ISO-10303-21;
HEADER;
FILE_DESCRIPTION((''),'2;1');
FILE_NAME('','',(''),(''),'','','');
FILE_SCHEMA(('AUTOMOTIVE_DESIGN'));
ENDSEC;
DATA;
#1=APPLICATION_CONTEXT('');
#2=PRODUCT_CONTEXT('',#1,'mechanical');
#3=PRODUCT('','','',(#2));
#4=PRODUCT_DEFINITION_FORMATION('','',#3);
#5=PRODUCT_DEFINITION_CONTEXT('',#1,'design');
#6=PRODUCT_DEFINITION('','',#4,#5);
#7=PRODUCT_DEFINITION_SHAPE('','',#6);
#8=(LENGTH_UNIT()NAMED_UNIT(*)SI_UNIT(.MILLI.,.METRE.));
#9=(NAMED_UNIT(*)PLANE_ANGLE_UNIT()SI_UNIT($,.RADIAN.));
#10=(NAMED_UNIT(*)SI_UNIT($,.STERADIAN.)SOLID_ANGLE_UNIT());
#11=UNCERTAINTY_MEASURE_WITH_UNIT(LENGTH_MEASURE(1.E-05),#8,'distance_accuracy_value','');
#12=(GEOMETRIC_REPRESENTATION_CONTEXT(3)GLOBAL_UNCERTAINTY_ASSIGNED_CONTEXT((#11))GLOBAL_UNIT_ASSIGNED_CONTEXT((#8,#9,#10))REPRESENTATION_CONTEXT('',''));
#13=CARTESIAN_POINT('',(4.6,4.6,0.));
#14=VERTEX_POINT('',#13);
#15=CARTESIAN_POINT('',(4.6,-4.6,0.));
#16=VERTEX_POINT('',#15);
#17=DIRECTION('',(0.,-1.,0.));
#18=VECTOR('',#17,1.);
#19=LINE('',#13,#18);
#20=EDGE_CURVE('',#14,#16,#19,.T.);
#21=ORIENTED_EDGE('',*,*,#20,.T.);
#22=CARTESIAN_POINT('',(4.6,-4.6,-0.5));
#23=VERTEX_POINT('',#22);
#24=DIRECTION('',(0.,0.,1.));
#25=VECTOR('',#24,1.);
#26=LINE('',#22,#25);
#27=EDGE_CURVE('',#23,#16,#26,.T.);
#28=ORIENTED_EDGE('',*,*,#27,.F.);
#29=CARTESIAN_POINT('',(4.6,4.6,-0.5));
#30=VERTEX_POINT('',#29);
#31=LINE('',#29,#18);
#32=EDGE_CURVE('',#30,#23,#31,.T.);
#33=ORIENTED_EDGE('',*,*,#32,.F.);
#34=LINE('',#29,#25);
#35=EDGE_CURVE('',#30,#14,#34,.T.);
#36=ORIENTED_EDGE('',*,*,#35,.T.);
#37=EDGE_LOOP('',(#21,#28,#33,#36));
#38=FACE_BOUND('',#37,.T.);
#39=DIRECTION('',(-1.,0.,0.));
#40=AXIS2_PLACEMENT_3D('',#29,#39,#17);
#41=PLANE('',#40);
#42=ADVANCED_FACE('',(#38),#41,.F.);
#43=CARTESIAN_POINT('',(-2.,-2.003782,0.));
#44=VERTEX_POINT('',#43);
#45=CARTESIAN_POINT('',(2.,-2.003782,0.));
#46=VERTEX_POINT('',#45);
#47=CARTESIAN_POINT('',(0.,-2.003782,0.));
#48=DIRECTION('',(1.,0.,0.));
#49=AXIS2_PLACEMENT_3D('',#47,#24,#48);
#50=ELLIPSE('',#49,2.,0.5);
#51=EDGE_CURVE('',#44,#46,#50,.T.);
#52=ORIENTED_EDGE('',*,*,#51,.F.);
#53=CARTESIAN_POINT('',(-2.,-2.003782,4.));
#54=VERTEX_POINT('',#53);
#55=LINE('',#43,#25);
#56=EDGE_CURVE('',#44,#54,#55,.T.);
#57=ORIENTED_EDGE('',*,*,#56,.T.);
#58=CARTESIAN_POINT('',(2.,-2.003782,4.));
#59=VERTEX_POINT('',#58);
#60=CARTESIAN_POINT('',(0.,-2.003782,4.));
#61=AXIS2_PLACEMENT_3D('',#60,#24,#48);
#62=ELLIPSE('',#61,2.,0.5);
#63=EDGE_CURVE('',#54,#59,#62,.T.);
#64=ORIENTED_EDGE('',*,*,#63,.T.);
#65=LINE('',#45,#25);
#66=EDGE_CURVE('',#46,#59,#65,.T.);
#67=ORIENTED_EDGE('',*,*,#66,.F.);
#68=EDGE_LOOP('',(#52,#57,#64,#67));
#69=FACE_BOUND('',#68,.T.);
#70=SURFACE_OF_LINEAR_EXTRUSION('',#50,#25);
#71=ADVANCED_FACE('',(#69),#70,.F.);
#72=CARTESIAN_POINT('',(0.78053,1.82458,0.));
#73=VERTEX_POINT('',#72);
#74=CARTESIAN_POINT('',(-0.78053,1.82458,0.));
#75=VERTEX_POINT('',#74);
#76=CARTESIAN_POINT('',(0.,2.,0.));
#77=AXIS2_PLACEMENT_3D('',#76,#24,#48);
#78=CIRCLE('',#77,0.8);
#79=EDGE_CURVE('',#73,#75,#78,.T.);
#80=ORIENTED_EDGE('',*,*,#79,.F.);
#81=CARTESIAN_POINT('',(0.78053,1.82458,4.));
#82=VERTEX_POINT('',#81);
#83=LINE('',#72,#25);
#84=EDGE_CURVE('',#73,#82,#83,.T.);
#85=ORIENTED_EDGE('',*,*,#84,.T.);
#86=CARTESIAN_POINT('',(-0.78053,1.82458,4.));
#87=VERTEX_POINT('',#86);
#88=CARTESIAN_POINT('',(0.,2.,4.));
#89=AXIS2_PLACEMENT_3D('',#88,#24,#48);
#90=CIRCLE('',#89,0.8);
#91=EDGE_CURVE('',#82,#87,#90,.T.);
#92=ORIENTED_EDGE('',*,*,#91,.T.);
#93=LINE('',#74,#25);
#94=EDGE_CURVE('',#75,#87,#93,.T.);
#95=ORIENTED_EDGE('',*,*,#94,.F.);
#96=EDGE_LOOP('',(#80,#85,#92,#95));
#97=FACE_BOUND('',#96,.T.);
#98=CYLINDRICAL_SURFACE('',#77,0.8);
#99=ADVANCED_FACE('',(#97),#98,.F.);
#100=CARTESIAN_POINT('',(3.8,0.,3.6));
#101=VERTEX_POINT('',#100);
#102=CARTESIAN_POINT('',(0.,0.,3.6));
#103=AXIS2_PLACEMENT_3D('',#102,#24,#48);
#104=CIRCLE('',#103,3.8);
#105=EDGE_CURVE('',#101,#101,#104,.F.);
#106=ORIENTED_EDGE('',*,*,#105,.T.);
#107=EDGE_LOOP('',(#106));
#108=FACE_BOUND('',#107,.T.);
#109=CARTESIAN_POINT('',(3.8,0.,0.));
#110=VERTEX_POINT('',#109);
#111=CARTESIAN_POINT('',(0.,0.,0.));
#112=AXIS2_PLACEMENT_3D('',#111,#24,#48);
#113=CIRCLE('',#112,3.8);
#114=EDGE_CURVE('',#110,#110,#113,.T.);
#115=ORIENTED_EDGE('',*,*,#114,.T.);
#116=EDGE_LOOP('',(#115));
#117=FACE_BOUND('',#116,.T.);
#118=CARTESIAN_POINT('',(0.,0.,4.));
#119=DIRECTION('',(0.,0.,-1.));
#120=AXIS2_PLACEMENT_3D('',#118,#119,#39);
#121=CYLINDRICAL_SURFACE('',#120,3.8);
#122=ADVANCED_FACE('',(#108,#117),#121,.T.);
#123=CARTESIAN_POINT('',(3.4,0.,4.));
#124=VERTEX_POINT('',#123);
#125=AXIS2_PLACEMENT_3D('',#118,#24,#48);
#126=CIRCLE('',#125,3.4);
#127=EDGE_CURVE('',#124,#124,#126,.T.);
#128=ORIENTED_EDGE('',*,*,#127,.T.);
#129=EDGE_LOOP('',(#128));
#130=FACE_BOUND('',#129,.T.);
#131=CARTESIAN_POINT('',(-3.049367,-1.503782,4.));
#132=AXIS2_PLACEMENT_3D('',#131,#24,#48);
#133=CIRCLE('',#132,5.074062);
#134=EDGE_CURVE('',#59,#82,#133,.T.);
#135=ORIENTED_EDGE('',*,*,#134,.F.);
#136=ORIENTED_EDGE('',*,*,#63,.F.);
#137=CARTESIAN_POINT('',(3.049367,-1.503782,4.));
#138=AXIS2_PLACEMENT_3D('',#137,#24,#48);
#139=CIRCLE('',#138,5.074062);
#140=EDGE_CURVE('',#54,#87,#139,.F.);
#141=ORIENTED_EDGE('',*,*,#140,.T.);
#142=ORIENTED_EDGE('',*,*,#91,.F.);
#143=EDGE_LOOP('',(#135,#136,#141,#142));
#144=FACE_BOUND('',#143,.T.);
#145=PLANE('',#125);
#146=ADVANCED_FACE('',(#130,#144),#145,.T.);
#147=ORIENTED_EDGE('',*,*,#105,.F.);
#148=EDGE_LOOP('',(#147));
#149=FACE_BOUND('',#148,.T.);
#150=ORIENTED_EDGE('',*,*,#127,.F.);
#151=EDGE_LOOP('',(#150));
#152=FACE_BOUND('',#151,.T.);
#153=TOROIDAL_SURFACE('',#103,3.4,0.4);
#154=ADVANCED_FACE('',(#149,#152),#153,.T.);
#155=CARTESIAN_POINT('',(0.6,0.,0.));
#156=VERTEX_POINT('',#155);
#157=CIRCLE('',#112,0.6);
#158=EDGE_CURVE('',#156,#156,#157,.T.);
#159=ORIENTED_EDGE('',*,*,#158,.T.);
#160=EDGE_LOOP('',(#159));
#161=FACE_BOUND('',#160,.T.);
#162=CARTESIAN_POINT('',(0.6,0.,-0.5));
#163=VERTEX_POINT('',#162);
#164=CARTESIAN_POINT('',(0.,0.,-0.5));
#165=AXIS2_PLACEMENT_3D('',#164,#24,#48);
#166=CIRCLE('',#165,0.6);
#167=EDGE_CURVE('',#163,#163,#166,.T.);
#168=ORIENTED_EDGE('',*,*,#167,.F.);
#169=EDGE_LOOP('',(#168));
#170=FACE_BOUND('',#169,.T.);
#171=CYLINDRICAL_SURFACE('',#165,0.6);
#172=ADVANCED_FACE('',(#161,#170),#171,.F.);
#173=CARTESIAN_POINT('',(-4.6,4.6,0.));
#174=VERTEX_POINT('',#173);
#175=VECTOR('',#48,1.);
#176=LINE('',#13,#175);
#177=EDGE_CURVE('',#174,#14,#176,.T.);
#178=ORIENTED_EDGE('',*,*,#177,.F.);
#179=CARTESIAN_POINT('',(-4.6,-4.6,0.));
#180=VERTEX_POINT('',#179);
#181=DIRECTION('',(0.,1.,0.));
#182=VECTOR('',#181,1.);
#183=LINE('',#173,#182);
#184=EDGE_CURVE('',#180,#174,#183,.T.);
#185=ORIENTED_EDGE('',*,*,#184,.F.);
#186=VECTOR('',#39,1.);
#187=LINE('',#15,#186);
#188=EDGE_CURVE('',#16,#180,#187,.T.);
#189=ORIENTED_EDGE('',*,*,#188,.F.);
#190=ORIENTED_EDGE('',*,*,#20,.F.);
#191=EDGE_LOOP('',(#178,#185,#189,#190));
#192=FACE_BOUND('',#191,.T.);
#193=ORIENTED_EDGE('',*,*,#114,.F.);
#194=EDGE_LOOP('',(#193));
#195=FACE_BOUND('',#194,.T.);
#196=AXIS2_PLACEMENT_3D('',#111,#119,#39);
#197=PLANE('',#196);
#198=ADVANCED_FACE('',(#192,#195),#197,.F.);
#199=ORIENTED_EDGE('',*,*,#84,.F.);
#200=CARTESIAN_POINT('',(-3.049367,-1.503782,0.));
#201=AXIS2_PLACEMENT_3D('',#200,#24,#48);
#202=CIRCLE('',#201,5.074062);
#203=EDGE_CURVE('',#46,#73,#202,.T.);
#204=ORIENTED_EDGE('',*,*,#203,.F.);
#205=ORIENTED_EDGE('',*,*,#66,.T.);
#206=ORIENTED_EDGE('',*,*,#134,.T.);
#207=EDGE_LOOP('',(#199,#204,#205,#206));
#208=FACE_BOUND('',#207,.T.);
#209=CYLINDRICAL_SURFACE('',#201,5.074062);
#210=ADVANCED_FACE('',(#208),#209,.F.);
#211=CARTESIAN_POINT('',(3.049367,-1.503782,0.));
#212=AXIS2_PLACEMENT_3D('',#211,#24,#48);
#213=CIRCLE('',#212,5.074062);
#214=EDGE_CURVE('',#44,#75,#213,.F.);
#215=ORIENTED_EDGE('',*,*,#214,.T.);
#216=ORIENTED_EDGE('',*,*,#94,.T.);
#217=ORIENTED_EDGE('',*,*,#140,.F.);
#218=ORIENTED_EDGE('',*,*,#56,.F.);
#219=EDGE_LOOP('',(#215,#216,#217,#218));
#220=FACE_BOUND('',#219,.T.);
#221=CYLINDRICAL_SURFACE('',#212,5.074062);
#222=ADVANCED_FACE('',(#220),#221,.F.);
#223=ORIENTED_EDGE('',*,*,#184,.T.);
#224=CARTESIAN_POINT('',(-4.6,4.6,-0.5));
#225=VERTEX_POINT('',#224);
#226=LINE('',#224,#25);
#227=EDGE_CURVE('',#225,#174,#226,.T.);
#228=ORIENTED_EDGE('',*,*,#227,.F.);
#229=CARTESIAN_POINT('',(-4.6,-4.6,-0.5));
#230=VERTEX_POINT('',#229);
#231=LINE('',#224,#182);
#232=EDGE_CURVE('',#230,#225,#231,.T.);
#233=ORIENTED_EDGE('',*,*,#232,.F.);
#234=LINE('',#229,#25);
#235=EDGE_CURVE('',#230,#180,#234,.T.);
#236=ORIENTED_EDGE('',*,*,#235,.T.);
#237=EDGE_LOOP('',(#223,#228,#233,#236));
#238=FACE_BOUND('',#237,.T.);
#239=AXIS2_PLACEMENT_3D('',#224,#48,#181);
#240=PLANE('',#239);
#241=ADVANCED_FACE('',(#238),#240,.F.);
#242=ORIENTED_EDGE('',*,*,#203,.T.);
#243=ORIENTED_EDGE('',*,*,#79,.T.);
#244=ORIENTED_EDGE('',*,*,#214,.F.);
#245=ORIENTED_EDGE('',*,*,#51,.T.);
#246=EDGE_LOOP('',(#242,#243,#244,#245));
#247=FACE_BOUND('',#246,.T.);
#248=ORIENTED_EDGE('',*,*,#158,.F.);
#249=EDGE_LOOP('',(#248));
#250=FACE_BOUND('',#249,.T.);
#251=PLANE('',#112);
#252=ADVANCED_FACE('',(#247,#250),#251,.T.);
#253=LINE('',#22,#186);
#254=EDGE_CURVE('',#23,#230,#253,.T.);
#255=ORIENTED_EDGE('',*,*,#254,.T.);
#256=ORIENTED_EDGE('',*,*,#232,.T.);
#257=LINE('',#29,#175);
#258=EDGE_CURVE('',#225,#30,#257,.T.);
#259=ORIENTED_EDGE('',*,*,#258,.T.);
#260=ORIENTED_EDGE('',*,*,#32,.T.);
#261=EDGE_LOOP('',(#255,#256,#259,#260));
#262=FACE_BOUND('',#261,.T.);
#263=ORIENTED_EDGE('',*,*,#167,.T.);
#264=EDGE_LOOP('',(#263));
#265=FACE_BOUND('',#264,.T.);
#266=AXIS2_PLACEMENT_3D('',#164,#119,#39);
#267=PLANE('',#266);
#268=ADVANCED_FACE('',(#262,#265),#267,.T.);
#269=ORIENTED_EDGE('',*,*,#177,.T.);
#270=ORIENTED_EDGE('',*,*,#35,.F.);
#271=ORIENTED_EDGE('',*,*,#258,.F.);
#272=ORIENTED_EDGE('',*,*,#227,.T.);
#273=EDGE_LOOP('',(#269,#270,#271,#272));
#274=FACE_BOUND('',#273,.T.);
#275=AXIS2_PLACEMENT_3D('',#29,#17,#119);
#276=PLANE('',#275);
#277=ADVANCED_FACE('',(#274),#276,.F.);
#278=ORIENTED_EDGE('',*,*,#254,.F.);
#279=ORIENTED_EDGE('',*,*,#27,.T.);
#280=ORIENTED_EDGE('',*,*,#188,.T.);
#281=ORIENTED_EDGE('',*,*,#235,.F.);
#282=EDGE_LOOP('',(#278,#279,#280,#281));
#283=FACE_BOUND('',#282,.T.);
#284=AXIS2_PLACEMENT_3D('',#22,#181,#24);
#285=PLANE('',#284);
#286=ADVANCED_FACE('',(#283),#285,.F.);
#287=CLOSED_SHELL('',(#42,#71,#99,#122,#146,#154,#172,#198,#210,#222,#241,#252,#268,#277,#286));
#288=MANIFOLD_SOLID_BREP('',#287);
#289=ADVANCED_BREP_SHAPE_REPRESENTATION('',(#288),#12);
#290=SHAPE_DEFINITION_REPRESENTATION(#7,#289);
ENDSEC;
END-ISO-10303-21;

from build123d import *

# Parameters (mm, degrees)
SKETCH_1_R          = 3.8
EXTRUDE_1_DEPTH     = 4
SKETCH_2_W          = 9.2
SKETCH_2_H          = 9.2
EXTRUDE_2_DEPTH     = 0.5
FILLET_1_R          = 0.4
SKETCH_7_RX         = 2
SKETCH_7_RY         = 0.5
SKETCH_7_R          = 0.8
CUT_EXTRUDE_4_DEPTH = 4
SKETCH_8_R          = 0.6
CUT_EXTRUDE_5_DEPTH = 8.636753237


with BuildPart() as part:
    # Эскиз1 → Бобышка-Вытянуть1 (new body)
    with BuildSketch(Plane.XY):
        Circle(SKETCH_1_R)
    extrude(amount=EXTRUDE_1_DEPTH)

    # Эскиз2 → Бобышка-Вытянуть2 (add)
    with BuildSketch(Plane(origin=(0, 0, 0), x_dir=(-1, 0, 0), z_dir=(0, 0, -1))):
        Rectangle(SKETCH_2_W, SKETCH_2_H)
    extrude(amount=EXTRUDE_2_DEPTH)

    # Скругление1
    fillet_1_edges = [part.edges().sort_by_distance(p)[0] for p in [
        (-3.8, 0, 4),
    ]]
    fillet(fillet_1_edges, radius=FILLET_1_R)

    # Эскиз7 → Вырез-Вытянуть4 (cut)
    with BuildSketch(Plane.XY.offset(4)):
        with BuildLine():
            ThreePointArc((0.780530418, 1.824579743), (0, 1.2), (-0.780530418, 1.824579743))
            ThreePointArc((-0.780530418, 1.824579743), (-1.785343213, 0.036245206), (-2, -2.003782154))
            add(Edge.make_bspline(
                [(2, -2.003782154), (2, -1.503782154), (0, -1.503782154), (-2, -1.503782154), (-2, -2.003782154)],
                knots=[0, 0, 0, 1.570796327, 1.570796327, 3.141592654, 3.141592654, 3.141592654], degree=2, weights=[1, 0.707106781, 1, 0.707106781, 1]))
            ThreePointArc((2, -2.003782154), (1.785343213, 0.036245206), (0.780530418, 1.824579743))
        make_face()
        with Locations((0, -2.003782154)):
            Ellipse(SKETCH_7_RX, SKETCH_7_RY)
        with Locations((0, 2)):
            Circle(SKETCH_7_R)
    extrude(amount=-CUT_EXTRUDE_4_DEPTH, mode=Mode.SUBTRACT)

    # Эскиз8 → Вырез-Вытянуть5 (cut, through all)
    with BuildSketch(Plane.XY):
        Circle(SKETCH_8_R)
    extrude(amount=-CUT_EXTRUDE_5_DEPTH, mode=Mode.SUBTRACT)


solid = part.part
